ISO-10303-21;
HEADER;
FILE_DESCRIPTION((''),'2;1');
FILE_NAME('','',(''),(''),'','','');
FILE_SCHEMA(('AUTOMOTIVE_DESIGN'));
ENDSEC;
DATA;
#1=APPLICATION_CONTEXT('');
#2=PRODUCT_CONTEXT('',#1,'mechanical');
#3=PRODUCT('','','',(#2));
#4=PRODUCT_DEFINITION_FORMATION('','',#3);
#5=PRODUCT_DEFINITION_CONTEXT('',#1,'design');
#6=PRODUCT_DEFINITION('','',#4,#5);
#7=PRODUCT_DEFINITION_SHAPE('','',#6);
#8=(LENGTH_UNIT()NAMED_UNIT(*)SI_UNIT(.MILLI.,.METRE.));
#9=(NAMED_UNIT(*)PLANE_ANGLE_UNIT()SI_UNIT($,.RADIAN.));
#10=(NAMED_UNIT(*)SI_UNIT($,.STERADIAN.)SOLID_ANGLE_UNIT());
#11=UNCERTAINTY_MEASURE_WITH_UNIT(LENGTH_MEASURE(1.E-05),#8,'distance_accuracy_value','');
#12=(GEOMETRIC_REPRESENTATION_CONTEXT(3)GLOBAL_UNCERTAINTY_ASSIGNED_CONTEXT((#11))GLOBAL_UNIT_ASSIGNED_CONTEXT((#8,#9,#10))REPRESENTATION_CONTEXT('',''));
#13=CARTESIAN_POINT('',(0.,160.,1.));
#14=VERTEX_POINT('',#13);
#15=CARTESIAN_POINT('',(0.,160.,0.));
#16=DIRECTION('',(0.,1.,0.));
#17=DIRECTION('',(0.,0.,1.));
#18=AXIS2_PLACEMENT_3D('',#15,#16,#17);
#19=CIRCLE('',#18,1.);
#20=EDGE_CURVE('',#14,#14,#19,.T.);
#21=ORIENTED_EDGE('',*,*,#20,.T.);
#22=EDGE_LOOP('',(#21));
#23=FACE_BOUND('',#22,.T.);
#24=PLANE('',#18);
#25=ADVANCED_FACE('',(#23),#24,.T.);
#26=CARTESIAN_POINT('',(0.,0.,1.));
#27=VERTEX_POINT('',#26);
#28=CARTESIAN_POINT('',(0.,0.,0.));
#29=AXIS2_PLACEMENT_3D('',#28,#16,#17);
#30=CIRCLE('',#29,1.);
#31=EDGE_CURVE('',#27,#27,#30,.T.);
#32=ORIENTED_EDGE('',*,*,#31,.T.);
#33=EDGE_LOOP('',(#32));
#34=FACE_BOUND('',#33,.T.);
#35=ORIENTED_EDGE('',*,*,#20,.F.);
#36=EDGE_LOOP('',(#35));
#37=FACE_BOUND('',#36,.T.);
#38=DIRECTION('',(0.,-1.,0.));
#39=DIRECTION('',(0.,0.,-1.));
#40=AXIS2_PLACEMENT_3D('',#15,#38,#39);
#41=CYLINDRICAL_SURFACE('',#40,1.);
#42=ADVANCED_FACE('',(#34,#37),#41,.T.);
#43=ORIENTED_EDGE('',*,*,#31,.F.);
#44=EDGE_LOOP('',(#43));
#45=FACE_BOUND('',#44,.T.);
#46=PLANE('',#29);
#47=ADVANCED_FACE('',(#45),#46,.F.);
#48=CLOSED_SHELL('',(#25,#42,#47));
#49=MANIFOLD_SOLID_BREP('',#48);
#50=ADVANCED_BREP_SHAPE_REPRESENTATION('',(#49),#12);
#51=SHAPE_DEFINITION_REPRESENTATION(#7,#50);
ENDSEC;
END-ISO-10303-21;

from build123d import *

# Parameters (mm, degrees)
SKETCH_1_R      = 1
EXTRUDE_1_DEPTH = 160


with BuildPart() as part:
    # 草图1 → 凸台-拉伸1 (new body)
    with BuildSketch(Plane(origin=(0, 0, 0), x_dir=(1, 0, 0), z_dir=(0, 1, 0))):
        with Locations(Location((0, 0, 0), (0, 0, 270))):
            Circle(SKETCH_1_R)
    extrude(amount=EXTRUDE_1_DEPTH)


solid = part.part
